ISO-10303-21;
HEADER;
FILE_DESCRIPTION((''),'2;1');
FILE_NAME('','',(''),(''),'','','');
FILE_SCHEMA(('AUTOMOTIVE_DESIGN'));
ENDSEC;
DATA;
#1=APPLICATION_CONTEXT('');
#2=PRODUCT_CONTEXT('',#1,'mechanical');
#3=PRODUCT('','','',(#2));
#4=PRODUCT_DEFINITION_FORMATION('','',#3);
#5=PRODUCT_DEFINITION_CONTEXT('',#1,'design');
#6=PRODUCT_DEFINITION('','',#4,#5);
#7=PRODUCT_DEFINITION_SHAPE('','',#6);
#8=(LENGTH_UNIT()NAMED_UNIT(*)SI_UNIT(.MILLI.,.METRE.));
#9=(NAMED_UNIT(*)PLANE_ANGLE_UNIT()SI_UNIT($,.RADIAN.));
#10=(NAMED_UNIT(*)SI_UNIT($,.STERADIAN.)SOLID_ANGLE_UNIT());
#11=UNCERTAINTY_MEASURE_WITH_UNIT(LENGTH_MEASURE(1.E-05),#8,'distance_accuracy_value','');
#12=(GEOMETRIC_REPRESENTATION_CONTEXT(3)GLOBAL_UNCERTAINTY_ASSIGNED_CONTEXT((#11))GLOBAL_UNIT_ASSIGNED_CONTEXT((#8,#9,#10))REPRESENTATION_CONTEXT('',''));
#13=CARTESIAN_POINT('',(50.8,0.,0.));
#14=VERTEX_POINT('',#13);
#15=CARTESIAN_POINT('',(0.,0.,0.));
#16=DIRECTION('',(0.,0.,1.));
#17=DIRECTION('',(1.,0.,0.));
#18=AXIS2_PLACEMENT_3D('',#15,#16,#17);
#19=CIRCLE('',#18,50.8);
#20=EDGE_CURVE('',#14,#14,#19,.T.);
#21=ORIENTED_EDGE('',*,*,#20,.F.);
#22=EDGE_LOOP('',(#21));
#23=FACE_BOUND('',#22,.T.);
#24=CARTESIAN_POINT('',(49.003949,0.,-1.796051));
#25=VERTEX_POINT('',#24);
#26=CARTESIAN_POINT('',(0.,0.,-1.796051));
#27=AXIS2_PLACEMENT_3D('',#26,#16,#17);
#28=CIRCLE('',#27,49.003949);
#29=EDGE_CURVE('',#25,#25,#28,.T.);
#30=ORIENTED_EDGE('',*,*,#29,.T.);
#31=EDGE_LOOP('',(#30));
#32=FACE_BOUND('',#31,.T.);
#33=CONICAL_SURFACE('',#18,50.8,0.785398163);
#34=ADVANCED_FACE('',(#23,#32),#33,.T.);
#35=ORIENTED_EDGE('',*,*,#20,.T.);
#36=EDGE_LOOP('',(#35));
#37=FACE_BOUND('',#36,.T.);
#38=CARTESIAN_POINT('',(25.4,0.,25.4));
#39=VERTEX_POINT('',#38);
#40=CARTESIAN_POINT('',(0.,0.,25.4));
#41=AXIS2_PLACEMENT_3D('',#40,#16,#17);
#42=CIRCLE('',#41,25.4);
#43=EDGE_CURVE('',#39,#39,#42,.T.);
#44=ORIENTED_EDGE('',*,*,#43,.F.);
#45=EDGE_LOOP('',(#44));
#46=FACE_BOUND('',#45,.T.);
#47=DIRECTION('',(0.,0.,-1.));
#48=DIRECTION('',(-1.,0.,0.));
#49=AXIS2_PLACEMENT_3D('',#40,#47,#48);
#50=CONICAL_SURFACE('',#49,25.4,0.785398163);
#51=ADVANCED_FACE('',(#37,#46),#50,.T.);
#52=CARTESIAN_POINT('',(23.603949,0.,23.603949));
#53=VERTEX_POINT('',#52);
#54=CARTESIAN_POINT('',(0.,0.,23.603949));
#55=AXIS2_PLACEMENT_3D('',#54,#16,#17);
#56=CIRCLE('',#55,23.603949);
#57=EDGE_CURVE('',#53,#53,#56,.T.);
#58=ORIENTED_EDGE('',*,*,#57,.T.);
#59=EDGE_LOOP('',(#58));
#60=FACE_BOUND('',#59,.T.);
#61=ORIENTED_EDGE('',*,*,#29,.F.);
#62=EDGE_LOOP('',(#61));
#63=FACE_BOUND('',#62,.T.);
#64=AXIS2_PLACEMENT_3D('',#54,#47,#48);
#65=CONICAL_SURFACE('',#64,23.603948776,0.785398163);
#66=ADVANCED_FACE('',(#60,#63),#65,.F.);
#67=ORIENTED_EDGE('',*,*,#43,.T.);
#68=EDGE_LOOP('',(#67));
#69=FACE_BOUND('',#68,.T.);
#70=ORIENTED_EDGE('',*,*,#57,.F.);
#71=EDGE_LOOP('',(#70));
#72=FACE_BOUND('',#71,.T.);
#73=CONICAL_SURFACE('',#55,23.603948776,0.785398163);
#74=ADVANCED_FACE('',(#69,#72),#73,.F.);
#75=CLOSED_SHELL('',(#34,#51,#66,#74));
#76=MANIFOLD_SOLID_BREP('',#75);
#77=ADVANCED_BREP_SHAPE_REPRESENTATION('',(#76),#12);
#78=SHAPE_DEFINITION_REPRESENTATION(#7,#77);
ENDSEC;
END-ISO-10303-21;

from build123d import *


with BuildPart() as part:
    # Sketch1 → Revolve-Thin1 (revolve)
    with BuildSketch(Plane.YZ, mode=Mode.PRIVATE) as revolve_thin1_sk:
        Polygon((25.4, 25.4), (50.8, 0), (49.003948776, -1.796051224), (23.603948776, 23.603948776), align=None)
    revolve(revolve_thin1_sk.sketch.rotate(Axis((0, 0, 26.67), (0, 0, -1)), 90), axis=Axis((0, 0, 26.67), (0, 0, -1)))


solid = part.part
